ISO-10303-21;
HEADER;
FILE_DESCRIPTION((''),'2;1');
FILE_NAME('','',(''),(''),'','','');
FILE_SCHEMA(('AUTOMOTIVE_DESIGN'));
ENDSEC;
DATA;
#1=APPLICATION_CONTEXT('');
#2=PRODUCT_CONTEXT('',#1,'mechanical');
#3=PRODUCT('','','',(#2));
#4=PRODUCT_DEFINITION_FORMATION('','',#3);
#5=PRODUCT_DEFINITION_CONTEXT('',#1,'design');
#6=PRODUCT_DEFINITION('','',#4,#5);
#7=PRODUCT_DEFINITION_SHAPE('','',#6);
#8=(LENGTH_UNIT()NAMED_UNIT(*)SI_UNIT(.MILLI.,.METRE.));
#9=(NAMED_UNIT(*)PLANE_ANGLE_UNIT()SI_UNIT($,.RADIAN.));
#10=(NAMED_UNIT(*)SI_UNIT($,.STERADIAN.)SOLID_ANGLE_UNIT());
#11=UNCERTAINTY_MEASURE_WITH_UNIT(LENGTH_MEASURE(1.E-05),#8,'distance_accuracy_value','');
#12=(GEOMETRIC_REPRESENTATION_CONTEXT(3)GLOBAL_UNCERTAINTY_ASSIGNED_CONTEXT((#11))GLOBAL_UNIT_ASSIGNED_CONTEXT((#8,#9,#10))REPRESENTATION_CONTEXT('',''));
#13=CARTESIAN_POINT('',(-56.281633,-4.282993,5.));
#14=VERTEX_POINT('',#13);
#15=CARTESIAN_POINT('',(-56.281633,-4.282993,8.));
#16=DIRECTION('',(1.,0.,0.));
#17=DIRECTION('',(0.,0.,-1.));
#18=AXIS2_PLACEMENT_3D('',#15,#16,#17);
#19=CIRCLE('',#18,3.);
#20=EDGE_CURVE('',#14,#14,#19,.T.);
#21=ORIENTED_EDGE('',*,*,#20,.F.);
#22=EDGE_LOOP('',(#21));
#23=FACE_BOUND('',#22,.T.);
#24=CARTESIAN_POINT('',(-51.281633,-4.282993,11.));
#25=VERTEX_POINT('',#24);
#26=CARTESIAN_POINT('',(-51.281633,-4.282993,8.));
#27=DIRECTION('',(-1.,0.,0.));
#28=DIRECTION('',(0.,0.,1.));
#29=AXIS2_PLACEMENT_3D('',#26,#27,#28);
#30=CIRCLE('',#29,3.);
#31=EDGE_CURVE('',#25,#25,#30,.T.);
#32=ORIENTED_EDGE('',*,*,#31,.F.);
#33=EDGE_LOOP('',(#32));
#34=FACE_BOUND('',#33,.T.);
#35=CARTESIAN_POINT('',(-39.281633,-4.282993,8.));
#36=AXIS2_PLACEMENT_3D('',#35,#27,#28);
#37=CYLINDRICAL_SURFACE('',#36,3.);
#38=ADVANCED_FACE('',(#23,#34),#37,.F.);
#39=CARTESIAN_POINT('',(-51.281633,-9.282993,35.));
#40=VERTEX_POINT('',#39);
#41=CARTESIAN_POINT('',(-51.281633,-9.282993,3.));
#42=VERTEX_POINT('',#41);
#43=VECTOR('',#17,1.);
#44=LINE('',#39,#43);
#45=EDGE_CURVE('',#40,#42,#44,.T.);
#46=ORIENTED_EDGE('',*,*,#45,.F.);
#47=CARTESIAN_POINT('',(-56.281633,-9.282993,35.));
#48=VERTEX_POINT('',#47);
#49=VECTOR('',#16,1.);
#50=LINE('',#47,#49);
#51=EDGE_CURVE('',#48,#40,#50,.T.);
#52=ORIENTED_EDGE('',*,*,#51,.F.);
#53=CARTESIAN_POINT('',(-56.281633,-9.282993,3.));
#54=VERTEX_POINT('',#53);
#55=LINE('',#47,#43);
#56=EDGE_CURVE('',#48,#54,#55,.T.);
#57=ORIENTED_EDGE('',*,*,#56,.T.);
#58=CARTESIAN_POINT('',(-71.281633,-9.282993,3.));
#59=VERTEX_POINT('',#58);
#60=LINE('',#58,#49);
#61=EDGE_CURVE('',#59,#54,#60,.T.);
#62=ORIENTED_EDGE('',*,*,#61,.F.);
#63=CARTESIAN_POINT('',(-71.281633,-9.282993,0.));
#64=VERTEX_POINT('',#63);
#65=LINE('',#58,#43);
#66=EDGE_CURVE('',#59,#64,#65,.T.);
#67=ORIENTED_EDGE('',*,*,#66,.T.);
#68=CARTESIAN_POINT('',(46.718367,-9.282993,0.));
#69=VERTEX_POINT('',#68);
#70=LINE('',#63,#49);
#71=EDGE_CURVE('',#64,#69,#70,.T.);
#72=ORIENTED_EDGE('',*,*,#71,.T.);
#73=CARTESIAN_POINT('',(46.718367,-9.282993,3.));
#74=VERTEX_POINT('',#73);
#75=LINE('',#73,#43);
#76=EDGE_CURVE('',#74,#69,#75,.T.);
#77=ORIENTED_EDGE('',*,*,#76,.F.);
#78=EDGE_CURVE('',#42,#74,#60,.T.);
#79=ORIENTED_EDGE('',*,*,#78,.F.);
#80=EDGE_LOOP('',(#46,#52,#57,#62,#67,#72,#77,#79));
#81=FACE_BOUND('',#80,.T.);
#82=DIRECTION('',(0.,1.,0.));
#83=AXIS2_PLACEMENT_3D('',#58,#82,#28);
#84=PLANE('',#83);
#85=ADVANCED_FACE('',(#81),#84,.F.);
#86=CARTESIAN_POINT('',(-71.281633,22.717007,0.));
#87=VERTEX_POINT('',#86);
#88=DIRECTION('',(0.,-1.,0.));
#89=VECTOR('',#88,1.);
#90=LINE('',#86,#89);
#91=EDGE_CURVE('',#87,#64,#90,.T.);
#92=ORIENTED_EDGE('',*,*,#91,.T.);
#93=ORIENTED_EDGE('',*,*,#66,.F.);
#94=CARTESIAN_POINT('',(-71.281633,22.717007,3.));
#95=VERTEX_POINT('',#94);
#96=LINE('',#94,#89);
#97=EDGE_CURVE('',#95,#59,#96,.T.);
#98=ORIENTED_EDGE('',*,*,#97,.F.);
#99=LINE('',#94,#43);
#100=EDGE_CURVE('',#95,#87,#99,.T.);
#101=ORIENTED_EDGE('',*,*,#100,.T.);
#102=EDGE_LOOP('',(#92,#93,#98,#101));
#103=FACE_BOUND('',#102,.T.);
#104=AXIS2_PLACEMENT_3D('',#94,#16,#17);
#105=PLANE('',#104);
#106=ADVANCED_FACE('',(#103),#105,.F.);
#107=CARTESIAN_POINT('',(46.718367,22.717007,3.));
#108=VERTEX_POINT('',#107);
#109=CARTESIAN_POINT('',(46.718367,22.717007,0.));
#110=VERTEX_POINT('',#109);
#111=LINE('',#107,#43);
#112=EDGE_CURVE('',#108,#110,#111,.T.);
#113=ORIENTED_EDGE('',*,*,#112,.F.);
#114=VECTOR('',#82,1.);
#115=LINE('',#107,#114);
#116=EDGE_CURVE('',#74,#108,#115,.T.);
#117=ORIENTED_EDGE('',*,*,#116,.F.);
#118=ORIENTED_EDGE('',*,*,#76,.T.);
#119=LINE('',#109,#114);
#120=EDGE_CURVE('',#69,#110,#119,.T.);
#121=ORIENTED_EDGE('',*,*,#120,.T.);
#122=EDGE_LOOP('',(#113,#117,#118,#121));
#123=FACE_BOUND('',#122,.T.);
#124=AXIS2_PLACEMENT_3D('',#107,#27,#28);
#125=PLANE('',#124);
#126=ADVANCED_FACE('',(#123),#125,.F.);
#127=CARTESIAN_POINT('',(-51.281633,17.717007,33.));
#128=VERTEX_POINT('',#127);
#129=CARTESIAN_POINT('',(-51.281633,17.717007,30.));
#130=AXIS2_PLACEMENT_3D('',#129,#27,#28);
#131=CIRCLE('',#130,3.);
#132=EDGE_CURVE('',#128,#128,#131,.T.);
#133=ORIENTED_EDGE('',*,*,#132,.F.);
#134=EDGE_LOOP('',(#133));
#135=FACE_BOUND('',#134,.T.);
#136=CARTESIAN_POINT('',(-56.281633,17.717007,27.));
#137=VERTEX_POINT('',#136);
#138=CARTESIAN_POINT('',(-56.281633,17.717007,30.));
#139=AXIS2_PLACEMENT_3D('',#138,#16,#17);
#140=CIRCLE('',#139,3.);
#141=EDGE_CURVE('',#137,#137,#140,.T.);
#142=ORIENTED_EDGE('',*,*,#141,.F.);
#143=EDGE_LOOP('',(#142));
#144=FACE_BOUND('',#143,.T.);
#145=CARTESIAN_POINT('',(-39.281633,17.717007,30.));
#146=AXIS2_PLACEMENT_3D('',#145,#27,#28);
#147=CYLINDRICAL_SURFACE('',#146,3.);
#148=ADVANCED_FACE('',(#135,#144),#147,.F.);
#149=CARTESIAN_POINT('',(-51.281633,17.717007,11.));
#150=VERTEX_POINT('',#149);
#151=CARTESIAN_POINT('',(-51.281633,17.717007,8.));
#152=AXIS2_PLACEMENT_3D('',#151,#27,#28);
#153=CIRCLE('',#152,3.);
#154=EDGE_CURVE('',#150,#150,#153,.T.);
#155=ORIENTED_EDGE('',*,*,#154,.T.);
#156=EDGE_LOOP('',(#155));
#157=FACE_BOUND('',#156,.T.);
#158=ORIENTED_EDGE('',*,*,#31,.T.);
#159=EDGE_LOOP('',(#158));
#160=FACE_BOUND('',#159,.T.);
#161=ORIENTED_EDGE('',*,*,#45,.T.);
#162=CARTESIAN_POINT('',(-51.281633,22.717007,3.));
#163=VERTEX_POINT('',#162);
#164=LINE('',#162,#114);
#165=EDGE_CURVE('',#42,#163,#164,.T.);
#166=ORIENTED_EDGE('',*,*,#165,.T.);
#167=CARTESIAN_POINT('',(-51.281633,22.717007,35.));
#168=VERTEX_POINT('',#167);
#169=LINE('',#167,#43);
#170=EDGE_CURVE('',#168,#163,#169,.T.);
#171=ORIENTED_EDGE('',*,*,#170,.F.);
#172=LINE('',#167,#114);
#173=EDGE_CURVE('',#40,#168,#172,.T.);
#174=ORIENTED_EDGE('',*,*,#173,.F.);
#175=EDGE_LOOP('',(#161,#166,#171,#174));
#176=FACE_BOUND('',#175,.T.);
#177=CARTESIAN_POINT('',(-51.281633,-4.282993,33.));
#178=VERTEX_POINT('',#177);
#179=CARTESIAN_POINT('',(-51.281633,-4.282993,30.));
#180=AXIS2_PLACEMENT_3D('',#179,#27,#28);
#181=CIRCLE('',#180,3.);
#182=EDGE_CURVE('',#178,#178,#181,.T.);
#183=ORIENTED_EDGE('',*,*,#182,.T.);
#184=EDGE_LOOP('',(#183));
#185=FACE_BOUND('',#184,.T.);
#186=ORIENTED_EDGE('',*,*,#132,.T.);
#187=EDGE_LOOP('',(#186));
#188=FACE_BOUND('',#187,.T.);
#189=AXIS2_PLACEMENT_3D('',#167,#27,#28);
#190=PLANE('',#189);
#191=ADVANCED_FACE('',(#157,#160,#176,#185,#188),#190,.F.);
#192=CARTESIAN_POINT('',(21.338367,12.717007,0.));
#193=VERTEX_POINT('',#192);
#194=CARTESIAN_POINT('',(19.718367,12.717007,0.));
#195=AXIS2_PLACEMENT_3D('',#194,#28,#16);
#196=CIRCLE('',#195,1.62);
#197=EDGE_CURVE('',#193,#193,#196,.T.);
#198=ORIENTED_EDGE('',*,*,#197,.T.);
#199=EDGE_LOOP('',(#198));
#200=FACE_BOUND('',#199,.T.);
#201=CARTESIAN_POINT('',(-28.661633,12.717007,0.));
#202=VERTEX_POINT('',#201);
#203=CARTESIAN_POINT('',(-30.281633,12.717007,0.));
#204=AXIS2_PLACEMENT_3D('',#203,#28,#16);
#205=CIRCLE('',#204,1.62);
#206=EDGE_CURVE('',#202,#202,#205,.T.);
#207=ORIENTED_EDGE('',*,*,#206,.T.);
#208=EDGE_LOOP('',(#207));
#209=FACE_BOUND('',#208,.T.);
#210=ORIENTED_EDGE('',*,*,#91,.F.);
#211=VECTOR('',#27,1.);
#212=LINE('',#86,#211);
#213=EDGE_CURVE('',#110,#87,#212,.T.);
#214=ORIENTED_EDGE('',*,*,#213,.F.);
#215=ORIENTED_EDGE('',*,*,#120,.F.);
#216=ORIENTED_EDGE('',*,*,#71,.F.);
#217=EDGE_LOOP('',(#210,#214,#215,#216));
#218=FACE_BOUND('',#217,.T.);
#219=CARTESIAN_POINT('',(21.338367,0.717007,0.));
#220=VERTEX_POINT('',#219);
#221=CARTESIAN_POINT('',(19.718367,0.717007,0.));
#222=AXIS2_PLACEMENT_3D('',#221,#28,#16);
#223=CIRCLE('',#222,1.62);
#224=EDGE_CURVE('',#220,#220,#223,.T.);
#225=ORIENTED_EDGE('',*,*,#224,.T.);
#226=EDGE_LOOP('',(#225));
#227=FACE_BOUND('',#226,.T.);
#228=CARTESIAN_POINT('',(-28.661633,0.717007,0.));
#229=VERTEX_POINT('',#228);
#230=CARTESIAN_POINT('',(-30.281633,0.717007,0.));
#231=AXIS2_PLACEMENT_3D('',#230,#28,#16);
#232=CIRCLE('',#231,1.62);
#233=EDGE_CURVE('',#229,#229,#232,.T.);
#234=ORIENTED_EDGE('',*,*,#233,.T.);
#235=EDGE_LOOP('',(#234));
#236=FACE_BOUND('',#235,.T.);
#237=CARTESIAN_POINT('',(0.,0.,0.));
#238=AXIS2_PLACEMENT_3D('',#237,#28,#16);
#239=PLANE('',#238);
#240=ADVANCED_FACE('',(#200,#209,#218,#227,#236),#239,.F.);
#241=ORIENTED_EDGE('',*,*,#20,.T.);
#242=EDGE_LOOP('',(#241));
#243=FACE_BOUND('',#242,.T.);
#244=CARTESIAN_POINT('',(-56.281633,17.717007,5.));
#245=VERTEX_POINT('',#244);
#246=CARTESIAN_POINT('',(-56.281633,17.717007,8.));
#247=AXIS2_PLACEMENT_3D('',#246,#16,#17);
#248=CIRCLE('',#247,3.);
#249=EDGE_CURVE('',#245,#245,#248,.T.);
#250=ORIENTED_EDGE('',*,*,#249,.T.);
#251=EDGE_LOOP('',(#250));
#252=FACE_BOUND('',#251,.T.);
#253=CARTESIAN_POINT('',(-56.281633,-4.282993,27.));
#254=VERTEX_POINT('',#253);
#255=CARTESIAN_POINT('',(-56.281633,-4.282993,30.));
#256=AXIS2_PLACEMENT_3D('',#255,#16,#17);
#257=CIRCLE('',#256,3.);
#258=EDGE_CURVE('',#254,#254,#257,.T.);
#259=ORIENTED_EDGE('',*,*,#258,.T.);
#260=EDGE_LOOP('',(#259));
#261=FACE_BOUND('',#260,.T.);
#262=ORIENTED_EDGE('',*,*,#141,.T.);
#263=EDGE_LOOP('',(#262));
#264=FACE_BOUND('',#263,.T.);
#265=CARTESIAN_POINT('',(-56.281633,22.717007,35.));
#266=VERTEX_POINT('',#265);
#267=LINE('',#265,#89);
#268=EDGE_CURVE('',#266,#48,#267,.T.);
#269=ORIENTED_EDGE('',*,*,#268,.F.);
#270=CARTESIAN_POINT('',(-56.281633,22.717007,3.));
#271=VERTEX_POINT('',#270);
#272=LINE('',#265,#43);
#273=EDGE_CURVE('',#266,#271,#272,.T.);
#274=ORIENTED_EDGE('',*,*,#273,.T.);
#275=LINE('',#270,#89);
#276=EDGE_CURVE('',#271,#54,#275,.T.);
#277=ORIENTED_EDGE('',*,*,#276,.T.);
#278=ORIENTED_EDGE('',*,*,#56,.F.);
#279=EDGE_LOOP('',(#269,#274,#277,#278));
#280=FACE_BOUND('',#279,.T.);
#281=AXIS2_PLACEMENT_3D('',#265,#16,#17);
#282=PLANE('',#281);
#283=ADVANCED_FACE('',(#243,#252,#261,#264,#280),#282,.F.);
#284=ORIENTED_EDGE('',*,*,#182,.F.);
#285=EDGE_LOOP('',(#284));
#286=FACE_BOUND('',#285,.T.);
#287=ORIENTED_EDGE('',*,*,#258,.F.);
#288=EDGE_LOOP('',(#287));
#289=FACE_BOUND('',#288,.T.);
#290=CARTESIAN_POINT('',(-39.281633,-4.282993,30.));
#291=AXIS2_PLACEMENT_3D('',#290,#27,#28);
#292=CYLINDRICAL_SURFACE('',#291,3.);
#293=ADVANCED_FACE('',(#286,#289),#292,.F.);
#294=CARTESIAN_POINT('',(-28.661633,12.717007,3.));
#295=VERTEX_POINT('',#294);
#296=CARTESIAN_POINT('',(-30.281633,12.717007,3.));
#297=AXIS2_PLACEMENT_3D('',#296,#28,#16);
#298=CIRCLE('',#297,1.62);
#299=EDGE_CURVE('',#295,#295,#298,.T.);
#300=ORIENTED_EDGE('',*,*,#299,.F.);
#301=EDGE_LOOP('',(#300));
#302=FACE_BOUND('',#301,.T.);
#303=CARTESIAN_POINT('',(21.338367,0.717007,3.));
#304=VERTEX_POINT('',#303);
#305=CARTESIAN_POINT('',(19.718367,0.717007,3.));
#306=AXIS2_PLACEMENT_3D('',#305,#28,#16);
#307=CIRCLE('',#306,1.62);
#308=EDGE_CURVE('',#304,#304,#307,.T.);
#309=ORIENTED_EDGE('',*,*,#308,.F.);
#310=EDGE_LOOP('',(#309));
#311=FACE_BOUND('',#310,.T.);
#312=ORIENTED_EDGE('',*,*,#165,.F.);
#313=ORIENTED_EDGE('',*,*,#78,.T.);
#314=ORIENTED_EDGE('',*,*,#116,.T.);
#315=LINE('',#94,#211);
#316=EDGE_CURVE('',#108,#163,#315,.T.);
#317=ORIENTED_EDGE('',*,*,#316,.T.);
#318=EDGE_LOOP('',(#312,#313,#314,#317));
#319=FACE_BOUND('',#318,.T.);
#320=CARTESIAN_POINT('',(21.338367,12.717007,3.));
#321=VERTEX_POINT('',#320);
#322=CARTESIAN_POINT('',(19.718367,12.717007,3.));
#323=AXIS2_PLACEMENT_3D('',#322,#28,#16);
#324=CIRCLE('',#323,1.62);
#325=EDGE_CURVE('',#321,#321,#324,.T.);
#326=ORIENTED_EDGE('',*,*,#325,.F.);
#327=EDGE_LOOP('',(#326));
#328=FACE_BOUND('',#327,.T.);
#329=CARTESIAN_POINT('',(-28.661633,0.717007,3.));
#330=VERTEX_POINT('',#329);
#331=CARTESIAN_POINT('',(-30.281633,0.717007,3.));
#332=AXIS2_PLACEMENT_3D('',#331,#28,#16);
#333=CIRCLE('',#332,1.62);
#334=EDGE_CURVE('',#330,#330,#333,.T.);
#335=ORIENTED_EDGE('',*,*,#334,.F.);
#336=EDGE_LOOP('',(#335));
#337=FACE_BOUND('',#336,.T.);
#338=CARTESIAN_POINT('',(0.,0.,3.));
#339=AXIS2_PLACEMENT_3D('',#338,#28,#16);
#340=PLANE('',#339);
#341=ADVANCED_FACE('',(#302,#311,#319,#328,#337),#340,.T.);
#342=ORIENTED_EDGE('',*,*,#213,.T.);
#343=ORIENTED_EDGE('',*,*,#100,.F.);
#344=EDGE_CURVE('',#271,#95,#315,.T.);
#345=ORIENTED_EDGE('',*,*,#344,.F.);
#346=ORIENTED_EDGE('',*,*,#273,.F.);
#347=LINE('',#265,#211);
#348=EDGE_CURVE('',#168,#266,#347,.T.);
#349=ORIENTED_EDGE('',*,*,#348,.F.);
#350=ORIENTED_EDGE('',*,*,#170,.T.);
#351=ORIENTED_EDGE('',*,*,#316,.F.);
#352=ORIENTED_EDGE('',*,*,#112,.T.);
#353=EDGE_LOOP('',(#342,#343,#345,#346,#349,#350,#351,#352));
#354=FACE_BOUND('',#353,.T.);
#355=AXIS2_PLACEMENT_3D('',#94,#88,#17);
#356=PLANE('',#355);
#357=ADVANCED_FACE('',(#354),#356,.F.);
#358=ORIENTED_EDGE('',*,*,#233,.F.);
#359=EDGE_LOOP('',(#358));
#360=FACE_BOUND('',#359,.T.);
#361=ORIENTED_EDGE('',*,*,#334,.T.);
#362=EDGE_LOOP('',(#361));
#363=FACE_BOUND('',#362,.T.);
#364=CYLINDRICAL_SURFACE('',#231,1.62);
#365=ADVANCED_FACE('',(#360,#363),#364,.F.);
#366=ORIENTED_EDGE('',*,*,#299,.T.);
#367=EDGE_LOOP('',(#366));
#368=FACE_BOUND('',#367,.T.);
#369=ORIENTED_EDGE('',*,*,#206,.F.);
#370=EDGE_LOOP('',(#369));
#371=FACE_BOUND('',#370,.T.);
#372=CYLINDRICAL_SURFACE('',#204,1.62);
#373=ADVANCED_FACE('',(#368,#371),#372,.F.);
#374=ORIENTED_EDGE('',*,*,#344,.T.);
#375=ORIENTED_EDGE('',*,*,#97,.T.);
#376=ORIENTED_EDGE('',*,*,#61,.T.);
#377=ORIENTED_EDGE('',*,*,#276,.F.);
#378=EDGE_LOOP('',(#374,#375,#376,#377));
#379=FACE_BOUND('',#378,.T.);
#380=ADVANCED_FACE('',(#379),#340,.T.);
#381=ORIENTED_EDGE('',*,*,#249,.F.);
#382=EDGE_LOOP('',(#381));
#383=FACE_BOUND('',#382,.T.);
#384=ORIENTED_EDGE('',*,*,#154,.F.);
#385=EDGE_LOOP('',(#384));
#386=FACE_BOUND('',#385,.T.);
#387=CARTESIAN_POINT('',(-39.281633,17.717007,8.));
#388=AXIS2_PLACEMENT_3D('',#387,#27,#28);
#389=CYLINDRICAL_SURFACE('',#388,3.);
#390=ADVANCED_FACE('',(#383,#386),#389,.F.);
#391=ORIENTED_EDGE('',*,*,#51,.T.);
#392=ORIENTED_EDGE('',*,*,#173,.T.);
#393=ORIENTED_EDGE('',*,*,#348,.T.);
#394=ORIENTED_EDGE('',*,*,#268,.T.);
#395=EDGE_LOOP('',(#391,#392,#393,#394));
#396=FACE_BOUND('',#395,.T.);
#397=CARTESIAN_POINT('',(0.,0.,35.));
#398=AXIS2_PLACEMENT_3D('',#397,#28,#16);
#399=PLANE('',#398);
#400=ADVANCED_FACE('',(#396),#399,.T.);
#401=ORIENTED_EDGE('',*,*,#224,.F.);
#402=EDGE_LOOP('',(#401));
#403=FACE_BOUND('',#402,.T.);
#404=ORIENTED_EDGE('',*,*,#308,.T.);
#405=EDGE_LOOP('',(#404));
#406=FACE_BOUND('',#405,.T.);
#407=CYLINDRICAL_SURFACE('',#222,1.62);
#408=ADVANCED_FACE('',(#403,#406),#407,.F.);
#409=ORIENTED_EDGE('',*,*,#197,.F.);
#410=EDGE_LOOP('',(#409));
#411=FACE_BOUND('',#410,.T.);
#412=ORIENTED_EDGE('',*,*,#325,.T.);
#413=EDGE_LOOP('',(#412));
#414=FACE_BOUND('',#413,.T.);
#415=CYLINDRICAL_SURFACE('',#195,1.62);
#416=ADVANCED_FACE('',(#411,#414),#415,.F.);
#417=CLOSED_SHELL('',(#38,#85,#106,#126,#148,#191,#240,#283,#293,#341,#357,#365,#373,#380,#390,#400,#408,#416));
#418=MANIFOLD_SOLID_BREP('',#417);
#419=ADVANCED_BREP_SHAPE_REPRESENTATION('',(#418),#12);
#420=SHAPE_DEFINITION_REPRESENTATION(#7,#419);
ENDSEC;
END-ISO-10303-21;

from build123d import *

# Parameters (mm, degrees)
SKETCH_1_W          = 118
SKETCH_1_H          = 32
EXTRUDE_1_DEPTH     = 3
SKETCH_2_R          = 1.62
CUT_EXTRUDE_1_DEPTH = 3
SKETCH_3_W          = 5
SKETCH_3_H          = 32
EXTRUDE_2_DEPTH     = 32
SKETCH_4_R          = 3
CUT_EXTRUDE_2_DEPTH = 32


with BuildPart() as part:
    # 草图1 → 凸台-拉伸1 (new body)
    with BuildSketch(Plane.XY):
        with Locations((-12.281632653, 6.717006803)):
            Rectangle(SKETCH_1_W, SKETCH_1_H)
    extrude(amount=EXTRUDE_1_DEPTH)

    # 草图2 → 切除-拉伸1 (cut)
    with BuildSketch(Plane.XY.offset(3)):
        with Locations((-30.281632653, 12.717006803)):
            Circle(SKETCH_2_R)
        with Locations((-30.281632653, 0.717006803)):
            Circle(SKETCH_2_R)
        with Locations((19.718367347, 12.717006803)):
            Circle(SKETCH_2_R)
        with Locations((19.718367347, 0.717006803)):
            Circle(SKETCH_2_R)
    extrude(amount=-CUT_EXTRUDE_1_DEPTH, mode=Mode.SUBTRACT)

    # 草图3 → 凸台-拉伸2 (add)
    with BuildSketch(Plane.XY.offset(3)):
        with Locations((-53.781632653, 6.717006803)):
            Rectangle(SKETCH_3_W, SKETCH_3_H)
    extrude(amount=EXTRUDE_2_DEPTH)

    # 草图4 → 切除-拉伸2 (cut)
    with BuildSketch(Plane.ZY.offset(71.281632653)):
        with Locations((30, 17.717006803)):
            Circle(SKETCH_4_R)
        with Locations((30, -4.282993197)):
            Circle(SKETCH_4_R)
        with Locations((8, 17.717006803)):
            Circle(SKETCH_4_R)
        with Locations((8, -4.282993197)):
            Circle(SKETCH_4_R)
    extrude(amount=-CUT_EXTRUDE_2_DEPTH, mode=Mode.SUBTRACT)


solid = part.part
